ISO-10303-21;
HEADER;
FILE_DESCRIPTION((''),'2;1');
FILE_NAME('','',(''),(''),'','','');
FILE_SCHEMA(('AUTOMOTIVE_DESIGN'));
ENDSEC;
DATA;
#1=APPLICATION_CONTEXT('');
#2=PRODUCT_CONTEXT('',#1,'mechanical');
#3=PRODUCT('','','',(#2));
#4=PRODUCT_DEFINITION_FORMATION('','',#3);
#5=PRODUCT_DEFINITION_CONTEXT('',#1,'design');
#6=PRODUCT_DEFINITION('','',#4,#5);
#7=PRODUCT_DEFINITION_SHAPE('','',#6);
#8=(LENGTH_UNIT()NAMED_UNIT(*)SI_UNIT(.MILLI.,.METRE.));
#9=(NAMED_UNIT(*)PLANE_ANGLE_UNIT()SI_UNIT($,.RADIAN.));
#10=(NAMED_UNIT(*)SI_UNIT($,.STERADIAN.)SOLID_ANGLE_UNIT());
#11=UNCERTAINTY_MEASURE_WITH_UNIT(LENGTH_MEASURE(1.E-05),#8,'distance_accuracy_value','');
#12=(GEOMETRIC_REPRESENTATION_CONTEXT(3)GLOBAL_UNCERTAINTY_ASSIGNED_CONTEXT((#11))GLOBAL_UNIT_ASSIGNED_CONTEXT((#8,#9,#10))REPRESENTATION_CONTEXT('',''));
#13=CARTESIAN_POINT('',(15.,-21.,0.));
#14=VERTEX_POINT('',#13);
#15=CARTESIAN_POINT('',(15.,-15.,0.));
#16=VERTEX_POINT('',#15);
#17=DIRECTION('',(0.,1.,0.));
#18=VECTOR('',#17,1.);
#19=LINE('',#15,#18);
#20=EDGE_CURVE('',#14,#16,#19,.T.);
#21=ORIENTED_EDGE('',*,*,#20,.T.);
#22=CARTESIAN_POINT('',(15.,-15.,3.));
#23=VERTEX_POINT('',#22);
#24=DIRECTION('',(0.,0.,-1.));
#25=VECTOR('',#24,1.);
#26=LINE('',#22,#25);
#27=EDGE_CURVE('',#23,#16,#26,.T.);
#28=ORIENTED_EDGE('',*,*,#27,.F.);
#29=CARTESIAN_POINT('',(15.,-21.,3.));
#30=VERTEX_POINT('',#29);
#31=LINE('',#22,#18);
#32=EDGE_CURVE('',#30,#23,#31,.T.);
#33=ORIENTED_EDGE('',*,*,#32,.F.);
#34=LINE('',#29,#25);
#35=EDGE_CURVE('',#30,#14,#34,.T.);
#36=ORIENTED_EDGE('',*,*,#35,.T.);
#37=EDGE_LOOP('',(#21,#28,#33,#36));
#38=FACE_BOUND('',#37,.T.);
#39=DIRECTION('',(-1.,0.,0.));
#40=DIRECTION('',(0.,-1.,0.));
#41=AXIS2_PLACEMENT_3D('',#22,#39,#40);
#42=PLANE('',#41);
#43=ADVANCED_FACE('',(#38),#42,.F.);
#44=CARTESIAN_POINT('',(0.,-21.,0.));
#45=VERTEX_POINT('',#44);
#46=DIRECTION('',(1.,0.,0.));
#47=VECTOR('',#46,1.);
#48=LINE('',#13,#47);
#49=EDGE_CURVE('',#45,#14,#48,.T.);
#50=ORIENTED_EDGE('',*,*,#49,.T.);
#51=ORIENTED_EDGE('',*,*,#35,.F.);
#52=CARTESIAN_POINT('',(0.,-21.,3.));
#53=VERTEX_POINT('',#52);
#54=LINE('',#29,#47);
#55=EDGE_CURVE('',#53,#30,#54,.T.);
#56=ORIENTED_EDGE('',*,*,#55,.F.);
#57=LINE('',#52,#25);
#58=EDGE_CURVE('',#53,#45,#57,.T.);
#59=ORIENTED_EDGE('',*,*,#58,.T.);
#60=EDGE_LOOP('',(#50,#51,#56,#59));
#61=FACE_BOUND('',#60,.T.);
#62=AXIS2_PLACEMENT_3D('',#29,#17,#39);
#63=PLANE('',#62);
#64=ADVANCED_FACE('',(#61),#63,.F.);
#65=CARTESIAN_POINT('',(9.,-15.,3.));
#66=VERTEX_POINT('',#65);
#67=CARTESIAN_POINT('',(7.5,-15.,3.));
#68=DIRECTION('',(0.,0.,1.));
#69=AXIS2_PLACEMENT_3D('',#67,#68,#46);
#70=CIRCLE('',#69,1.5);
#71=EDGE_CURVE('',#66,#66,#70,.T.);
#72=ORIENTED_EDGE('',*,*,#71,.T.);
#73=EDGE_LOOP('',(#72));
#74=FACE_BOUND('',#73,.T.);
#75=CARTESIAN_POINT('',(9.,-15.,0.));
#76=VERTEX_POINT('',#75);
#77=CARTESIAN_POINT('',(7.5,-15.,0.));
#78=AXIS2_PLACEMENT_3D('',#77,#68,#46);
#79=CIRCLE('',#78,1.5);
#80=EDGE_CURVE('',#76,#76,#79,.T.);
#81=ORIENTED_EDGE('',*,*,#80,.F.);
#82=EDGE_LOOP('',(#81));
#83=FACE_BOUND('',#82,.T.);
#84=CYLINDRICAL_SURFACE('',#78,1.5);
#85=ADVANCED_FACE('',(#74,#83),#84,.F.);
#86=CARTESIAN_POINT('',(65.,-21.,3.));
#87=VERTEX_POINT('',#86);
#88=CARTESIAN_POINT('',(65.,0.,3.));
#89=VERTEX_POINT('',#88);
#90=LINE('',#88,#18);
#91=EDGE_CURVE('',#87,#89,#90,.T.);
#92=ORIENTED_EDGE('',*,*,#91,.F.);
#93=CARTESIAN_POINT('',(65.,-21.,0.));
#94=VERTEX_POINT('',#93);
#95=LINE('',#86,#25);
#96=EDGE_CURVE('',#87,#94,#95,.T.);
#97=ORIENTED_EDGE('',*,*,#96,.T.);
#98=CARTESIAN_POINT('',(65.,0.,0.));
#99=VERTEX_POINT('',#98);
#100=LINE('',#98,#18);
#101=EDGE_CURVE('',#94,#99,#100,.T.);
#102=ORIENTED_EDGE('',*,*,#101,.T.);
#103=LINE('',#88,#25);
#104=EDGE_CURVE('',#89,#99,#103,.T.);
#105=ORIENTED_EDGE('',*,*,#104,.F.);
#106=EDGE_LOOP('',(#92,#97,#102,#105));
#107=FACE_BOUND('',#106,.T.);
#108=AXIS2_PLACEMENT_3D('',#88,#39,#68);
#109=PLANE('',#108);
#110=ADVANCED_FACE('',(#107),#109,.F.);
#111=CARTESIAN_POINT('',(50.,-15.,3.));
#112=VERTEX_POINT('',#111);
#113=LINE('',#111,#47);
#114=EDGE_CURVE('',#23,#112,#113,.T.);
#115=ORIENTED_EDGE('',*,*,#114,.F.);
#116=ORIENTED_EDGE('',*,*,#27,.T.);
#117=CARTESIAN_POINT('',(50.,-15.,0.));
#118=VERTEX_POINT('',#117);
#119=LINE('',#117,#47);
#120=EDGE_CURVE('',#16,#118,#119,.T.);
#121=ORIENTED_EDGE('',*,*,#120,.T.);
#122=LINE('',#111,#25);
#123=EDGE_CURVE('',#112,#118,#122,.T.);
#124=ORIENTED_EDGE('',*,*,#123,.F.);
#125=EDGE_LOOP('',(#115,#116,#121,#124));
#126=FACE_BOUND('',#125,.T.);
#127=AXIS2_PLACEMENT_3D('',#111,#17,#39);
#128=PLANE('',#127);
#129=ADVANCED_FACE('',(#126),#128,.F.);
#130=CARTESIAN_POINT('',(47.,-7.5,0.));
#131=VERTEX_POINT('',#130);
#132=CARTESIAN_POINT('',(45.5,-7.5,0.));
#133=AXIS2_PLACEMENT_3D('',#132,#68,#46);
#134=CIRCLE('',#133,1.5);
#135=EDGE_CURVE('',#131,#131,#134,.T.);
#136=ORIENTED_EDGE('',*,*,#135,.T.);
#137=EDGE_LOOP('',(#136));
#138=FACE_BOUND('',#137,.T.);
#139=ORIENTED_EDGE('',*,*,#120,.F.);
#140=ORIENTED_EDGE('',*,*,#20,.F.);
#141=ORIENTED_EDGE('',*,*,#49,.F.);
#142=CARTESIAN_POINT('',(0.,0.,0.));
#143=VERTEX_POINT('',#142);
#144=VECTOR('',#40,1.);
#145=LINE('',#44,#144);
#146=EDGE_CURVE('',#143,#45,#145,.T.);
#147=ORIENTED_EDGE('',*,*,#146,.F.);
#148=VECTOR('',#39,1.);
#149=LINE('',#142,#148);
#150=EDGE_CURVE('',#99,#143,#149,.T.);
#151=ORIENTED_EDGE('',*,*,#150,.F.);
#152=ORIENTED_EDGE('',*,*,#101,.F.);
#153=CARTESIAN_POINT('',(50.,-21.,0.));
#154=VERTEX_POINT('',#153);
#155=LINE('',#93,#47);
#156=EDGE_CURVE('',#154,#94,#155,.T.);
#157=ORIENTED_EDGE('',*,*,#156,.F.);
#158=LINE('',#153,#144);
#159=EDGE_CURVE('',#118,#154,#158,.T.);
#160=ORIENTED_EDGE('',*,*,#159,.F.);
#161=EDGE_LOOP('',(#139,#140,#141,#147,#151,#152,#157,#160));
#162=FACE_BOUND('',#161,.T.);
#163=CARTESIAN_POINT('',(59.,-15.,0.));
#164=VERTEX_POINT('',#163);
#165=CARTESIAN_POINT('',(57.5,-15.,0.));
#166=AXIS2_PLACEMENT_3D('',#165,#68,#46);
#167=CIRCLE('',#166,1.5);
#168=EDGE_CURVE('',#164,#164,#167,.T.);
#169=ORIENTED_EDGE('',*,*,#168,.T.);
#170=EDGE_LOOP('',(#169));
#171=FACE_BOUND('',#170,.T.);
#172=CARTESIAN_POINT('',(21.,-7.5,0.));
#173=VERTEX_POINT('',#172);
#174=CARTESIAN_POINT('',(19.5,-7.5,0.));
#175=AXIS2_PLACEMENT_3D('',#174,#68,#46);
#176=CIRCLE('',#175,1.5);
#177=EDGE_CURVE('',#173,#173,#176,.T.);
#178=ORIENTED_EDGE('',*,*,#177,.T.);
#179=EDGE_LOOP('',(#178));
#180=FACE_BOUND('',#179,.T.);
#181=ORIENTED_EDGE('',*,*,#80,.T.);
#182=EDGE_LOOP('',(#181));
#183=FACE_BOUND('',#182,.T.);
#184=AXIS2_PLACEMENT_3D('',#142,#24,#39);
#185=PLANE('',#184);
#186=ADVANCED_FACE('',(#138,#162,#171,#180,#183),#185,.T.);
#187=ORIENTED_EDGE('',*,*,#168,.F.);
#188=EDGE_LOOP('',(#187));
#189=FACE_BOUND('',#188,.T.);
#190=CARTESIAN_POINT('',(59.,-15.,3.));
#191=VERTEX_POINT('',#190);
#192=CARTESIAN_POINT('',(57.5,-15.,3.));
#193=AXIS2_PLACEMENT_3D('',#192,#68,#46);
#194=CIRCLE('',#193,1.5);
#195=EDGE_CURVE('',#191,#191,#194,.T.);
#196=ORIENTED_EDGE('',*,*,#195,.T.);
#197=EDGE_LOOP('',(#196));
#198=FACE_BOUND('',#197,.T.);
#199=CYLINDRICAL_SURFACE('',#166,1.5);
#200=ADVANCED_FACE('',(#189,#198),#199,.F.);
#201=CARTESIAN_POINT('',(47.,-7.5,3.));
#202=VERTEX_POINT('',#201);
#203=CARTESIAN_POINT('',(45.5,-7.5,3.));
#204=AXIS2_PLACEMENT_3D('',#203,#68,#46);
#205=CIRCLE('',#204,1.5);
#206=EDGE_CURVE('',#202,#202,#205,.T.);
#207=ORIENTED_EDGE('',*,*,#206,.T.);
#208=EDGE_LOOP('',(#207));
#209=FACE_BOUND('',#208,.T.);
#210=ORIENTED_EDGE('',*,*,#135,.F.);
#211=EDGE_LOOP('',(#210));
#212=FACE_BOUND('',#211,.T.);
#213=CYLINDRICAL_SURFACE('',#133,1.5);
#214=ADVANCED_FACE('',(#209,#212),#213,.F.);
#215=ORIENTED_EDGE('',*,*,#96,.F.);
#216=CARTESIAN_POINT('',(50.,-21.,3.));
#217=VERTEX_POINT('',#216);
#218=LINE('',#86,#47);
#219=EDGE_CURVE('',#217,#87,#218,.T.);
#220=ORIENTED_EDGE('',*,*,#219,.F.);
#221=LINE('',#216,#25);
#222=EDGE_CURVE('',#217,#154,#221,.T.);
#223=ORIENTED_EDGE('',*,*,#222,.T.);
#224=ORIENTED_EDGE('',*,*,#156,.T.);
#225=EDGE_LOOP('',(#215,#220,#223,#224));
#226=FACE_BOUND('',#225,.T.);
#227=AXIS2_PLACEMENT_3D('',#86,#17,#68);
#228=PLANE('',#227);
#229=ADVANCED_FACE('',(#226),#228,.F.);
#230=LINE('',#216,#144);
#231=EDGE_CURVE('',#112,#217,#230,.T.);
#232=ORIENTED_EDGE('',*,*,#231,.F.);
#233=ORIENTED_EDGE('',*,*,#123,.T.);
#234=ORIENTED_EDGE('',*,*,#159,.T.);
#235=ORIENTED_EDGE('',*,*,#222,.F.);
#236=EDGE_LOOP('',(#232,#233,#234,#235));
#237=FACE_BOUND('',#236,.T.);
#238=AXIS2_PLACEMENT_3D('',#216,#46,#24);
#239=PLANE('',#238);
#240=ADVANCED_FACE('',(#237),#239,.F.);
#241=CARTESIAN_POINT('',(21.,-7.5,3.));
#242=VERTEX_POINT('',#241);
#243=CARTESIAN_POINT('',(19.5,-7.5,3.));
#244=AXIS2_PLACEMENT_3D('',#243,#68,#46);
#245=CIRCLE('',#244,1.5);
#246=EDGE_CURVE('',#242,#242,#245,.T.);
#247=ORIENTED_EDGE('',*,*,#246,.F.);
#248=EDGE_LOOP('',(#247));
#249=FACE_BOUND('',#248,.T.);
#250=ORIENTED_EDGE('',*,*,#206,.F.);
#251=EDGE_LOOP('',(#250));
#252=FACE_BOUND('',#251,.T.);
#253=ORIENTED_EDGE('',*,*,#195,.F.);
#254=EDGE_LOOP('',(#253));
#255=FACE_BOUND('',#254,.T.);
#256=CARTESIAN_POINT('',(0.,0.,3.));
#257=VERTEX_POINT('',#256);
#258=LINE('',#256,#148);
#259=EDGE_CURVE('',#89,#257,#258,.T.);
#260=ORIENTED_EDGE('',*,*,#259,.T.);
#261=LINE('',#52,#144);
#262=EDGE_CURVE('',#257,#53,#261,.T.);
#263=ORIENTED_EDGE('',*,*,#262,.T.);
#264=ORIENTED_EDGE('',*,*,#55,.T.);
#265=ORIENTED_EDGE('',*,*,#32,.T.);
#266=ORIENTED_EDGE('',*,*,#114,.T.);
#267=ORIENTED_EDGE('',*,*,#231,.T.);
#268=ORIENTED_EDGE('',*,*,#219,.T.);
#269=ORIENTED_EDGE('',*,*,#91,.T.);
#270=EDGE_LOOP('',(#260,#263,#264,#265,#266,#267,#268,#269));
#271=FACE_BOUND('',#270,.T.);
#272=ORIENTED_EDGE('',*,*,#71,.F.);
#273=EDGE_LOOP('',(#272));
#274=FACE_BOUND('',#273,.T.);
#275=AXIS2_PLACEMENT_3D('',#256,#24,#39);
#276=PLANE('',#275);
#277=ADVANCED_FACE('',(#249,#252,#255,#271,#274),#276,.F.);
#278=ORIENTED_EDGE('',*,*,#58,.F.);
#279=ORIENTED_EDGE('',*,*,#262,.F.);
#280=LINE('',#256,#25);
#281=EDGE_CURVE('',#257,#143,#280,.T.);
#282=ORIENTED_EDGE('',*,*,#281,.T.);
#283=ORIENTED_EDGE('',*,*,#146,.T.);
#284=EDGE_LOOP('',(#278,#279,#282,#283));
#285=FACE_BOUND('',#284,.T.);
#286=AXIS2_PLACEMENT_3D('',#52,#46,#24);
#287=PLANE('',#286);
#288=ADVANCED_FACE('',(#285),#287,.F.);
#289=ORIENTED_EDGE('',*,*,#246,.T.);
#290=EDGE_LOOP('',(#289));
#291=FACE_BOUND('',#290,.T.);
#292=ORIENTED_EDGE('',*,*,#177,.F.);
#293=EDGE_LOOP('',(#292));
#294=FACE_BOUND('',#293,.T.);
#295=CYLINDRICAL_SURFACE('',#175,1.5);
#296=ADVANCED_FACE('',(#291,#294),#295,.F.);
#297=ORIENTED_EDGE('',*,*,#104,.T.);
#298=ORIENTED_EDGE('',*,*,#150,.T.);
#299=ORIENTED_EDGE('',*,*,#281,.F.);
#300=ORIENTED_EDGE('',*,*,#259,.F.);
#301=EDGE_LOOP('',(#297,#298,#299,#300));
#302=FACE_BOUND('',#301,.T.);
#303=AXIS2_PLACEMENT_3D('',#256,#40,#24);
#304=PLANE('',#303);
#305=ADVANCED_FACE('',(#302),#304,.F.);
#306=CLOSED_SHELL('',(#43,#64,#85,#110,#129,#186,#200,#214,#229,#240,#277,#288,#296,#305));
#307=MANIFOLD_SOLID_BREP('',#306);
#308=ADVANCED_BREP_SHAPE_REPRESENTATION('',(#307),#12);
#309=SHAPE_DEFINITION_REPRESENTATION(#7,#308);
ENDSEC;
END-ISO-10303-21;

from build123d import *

# Parameters (mm, degrees)
EXTRUDE_1_DEPTH     = 3
SKETCH_2_R          = 1.5
CUT_EXTRUDE_1_DEPTH = 3


with BuildPart() as part:
    # 草图1 → 凸台-拉伸1 (new body)
    with BuildSketch(Plane.XY):
        Polygon((0, 0), (65, 0), (65, -21), (50, -21), (50, -15), (15, -15), (15, -21), (0, -21), align=None)
    extrude(amount=EXTRUDE_1_DEPTH)

    # 草图2 → 切除-拉伸1 (cut)
    with BuildSketch(Plane.XY.offset(3)):
        with Locations((7.5, -15)):
            Circle(SKETCH_2_R)
        with Locations((57.5, -15)):
            Circle(SKETCH_2_R)
        with Locations((19.5, -7.5)):
            Circle(SKETCH_2_R)
        with Locations((45.5, -7.5)):
            Circle(SKETCH_2_R)
    extrude(amount=-CUT_EXTRUDE_1_DEPTH, mode=Mode.SUBTRACT)


solid = part.part
